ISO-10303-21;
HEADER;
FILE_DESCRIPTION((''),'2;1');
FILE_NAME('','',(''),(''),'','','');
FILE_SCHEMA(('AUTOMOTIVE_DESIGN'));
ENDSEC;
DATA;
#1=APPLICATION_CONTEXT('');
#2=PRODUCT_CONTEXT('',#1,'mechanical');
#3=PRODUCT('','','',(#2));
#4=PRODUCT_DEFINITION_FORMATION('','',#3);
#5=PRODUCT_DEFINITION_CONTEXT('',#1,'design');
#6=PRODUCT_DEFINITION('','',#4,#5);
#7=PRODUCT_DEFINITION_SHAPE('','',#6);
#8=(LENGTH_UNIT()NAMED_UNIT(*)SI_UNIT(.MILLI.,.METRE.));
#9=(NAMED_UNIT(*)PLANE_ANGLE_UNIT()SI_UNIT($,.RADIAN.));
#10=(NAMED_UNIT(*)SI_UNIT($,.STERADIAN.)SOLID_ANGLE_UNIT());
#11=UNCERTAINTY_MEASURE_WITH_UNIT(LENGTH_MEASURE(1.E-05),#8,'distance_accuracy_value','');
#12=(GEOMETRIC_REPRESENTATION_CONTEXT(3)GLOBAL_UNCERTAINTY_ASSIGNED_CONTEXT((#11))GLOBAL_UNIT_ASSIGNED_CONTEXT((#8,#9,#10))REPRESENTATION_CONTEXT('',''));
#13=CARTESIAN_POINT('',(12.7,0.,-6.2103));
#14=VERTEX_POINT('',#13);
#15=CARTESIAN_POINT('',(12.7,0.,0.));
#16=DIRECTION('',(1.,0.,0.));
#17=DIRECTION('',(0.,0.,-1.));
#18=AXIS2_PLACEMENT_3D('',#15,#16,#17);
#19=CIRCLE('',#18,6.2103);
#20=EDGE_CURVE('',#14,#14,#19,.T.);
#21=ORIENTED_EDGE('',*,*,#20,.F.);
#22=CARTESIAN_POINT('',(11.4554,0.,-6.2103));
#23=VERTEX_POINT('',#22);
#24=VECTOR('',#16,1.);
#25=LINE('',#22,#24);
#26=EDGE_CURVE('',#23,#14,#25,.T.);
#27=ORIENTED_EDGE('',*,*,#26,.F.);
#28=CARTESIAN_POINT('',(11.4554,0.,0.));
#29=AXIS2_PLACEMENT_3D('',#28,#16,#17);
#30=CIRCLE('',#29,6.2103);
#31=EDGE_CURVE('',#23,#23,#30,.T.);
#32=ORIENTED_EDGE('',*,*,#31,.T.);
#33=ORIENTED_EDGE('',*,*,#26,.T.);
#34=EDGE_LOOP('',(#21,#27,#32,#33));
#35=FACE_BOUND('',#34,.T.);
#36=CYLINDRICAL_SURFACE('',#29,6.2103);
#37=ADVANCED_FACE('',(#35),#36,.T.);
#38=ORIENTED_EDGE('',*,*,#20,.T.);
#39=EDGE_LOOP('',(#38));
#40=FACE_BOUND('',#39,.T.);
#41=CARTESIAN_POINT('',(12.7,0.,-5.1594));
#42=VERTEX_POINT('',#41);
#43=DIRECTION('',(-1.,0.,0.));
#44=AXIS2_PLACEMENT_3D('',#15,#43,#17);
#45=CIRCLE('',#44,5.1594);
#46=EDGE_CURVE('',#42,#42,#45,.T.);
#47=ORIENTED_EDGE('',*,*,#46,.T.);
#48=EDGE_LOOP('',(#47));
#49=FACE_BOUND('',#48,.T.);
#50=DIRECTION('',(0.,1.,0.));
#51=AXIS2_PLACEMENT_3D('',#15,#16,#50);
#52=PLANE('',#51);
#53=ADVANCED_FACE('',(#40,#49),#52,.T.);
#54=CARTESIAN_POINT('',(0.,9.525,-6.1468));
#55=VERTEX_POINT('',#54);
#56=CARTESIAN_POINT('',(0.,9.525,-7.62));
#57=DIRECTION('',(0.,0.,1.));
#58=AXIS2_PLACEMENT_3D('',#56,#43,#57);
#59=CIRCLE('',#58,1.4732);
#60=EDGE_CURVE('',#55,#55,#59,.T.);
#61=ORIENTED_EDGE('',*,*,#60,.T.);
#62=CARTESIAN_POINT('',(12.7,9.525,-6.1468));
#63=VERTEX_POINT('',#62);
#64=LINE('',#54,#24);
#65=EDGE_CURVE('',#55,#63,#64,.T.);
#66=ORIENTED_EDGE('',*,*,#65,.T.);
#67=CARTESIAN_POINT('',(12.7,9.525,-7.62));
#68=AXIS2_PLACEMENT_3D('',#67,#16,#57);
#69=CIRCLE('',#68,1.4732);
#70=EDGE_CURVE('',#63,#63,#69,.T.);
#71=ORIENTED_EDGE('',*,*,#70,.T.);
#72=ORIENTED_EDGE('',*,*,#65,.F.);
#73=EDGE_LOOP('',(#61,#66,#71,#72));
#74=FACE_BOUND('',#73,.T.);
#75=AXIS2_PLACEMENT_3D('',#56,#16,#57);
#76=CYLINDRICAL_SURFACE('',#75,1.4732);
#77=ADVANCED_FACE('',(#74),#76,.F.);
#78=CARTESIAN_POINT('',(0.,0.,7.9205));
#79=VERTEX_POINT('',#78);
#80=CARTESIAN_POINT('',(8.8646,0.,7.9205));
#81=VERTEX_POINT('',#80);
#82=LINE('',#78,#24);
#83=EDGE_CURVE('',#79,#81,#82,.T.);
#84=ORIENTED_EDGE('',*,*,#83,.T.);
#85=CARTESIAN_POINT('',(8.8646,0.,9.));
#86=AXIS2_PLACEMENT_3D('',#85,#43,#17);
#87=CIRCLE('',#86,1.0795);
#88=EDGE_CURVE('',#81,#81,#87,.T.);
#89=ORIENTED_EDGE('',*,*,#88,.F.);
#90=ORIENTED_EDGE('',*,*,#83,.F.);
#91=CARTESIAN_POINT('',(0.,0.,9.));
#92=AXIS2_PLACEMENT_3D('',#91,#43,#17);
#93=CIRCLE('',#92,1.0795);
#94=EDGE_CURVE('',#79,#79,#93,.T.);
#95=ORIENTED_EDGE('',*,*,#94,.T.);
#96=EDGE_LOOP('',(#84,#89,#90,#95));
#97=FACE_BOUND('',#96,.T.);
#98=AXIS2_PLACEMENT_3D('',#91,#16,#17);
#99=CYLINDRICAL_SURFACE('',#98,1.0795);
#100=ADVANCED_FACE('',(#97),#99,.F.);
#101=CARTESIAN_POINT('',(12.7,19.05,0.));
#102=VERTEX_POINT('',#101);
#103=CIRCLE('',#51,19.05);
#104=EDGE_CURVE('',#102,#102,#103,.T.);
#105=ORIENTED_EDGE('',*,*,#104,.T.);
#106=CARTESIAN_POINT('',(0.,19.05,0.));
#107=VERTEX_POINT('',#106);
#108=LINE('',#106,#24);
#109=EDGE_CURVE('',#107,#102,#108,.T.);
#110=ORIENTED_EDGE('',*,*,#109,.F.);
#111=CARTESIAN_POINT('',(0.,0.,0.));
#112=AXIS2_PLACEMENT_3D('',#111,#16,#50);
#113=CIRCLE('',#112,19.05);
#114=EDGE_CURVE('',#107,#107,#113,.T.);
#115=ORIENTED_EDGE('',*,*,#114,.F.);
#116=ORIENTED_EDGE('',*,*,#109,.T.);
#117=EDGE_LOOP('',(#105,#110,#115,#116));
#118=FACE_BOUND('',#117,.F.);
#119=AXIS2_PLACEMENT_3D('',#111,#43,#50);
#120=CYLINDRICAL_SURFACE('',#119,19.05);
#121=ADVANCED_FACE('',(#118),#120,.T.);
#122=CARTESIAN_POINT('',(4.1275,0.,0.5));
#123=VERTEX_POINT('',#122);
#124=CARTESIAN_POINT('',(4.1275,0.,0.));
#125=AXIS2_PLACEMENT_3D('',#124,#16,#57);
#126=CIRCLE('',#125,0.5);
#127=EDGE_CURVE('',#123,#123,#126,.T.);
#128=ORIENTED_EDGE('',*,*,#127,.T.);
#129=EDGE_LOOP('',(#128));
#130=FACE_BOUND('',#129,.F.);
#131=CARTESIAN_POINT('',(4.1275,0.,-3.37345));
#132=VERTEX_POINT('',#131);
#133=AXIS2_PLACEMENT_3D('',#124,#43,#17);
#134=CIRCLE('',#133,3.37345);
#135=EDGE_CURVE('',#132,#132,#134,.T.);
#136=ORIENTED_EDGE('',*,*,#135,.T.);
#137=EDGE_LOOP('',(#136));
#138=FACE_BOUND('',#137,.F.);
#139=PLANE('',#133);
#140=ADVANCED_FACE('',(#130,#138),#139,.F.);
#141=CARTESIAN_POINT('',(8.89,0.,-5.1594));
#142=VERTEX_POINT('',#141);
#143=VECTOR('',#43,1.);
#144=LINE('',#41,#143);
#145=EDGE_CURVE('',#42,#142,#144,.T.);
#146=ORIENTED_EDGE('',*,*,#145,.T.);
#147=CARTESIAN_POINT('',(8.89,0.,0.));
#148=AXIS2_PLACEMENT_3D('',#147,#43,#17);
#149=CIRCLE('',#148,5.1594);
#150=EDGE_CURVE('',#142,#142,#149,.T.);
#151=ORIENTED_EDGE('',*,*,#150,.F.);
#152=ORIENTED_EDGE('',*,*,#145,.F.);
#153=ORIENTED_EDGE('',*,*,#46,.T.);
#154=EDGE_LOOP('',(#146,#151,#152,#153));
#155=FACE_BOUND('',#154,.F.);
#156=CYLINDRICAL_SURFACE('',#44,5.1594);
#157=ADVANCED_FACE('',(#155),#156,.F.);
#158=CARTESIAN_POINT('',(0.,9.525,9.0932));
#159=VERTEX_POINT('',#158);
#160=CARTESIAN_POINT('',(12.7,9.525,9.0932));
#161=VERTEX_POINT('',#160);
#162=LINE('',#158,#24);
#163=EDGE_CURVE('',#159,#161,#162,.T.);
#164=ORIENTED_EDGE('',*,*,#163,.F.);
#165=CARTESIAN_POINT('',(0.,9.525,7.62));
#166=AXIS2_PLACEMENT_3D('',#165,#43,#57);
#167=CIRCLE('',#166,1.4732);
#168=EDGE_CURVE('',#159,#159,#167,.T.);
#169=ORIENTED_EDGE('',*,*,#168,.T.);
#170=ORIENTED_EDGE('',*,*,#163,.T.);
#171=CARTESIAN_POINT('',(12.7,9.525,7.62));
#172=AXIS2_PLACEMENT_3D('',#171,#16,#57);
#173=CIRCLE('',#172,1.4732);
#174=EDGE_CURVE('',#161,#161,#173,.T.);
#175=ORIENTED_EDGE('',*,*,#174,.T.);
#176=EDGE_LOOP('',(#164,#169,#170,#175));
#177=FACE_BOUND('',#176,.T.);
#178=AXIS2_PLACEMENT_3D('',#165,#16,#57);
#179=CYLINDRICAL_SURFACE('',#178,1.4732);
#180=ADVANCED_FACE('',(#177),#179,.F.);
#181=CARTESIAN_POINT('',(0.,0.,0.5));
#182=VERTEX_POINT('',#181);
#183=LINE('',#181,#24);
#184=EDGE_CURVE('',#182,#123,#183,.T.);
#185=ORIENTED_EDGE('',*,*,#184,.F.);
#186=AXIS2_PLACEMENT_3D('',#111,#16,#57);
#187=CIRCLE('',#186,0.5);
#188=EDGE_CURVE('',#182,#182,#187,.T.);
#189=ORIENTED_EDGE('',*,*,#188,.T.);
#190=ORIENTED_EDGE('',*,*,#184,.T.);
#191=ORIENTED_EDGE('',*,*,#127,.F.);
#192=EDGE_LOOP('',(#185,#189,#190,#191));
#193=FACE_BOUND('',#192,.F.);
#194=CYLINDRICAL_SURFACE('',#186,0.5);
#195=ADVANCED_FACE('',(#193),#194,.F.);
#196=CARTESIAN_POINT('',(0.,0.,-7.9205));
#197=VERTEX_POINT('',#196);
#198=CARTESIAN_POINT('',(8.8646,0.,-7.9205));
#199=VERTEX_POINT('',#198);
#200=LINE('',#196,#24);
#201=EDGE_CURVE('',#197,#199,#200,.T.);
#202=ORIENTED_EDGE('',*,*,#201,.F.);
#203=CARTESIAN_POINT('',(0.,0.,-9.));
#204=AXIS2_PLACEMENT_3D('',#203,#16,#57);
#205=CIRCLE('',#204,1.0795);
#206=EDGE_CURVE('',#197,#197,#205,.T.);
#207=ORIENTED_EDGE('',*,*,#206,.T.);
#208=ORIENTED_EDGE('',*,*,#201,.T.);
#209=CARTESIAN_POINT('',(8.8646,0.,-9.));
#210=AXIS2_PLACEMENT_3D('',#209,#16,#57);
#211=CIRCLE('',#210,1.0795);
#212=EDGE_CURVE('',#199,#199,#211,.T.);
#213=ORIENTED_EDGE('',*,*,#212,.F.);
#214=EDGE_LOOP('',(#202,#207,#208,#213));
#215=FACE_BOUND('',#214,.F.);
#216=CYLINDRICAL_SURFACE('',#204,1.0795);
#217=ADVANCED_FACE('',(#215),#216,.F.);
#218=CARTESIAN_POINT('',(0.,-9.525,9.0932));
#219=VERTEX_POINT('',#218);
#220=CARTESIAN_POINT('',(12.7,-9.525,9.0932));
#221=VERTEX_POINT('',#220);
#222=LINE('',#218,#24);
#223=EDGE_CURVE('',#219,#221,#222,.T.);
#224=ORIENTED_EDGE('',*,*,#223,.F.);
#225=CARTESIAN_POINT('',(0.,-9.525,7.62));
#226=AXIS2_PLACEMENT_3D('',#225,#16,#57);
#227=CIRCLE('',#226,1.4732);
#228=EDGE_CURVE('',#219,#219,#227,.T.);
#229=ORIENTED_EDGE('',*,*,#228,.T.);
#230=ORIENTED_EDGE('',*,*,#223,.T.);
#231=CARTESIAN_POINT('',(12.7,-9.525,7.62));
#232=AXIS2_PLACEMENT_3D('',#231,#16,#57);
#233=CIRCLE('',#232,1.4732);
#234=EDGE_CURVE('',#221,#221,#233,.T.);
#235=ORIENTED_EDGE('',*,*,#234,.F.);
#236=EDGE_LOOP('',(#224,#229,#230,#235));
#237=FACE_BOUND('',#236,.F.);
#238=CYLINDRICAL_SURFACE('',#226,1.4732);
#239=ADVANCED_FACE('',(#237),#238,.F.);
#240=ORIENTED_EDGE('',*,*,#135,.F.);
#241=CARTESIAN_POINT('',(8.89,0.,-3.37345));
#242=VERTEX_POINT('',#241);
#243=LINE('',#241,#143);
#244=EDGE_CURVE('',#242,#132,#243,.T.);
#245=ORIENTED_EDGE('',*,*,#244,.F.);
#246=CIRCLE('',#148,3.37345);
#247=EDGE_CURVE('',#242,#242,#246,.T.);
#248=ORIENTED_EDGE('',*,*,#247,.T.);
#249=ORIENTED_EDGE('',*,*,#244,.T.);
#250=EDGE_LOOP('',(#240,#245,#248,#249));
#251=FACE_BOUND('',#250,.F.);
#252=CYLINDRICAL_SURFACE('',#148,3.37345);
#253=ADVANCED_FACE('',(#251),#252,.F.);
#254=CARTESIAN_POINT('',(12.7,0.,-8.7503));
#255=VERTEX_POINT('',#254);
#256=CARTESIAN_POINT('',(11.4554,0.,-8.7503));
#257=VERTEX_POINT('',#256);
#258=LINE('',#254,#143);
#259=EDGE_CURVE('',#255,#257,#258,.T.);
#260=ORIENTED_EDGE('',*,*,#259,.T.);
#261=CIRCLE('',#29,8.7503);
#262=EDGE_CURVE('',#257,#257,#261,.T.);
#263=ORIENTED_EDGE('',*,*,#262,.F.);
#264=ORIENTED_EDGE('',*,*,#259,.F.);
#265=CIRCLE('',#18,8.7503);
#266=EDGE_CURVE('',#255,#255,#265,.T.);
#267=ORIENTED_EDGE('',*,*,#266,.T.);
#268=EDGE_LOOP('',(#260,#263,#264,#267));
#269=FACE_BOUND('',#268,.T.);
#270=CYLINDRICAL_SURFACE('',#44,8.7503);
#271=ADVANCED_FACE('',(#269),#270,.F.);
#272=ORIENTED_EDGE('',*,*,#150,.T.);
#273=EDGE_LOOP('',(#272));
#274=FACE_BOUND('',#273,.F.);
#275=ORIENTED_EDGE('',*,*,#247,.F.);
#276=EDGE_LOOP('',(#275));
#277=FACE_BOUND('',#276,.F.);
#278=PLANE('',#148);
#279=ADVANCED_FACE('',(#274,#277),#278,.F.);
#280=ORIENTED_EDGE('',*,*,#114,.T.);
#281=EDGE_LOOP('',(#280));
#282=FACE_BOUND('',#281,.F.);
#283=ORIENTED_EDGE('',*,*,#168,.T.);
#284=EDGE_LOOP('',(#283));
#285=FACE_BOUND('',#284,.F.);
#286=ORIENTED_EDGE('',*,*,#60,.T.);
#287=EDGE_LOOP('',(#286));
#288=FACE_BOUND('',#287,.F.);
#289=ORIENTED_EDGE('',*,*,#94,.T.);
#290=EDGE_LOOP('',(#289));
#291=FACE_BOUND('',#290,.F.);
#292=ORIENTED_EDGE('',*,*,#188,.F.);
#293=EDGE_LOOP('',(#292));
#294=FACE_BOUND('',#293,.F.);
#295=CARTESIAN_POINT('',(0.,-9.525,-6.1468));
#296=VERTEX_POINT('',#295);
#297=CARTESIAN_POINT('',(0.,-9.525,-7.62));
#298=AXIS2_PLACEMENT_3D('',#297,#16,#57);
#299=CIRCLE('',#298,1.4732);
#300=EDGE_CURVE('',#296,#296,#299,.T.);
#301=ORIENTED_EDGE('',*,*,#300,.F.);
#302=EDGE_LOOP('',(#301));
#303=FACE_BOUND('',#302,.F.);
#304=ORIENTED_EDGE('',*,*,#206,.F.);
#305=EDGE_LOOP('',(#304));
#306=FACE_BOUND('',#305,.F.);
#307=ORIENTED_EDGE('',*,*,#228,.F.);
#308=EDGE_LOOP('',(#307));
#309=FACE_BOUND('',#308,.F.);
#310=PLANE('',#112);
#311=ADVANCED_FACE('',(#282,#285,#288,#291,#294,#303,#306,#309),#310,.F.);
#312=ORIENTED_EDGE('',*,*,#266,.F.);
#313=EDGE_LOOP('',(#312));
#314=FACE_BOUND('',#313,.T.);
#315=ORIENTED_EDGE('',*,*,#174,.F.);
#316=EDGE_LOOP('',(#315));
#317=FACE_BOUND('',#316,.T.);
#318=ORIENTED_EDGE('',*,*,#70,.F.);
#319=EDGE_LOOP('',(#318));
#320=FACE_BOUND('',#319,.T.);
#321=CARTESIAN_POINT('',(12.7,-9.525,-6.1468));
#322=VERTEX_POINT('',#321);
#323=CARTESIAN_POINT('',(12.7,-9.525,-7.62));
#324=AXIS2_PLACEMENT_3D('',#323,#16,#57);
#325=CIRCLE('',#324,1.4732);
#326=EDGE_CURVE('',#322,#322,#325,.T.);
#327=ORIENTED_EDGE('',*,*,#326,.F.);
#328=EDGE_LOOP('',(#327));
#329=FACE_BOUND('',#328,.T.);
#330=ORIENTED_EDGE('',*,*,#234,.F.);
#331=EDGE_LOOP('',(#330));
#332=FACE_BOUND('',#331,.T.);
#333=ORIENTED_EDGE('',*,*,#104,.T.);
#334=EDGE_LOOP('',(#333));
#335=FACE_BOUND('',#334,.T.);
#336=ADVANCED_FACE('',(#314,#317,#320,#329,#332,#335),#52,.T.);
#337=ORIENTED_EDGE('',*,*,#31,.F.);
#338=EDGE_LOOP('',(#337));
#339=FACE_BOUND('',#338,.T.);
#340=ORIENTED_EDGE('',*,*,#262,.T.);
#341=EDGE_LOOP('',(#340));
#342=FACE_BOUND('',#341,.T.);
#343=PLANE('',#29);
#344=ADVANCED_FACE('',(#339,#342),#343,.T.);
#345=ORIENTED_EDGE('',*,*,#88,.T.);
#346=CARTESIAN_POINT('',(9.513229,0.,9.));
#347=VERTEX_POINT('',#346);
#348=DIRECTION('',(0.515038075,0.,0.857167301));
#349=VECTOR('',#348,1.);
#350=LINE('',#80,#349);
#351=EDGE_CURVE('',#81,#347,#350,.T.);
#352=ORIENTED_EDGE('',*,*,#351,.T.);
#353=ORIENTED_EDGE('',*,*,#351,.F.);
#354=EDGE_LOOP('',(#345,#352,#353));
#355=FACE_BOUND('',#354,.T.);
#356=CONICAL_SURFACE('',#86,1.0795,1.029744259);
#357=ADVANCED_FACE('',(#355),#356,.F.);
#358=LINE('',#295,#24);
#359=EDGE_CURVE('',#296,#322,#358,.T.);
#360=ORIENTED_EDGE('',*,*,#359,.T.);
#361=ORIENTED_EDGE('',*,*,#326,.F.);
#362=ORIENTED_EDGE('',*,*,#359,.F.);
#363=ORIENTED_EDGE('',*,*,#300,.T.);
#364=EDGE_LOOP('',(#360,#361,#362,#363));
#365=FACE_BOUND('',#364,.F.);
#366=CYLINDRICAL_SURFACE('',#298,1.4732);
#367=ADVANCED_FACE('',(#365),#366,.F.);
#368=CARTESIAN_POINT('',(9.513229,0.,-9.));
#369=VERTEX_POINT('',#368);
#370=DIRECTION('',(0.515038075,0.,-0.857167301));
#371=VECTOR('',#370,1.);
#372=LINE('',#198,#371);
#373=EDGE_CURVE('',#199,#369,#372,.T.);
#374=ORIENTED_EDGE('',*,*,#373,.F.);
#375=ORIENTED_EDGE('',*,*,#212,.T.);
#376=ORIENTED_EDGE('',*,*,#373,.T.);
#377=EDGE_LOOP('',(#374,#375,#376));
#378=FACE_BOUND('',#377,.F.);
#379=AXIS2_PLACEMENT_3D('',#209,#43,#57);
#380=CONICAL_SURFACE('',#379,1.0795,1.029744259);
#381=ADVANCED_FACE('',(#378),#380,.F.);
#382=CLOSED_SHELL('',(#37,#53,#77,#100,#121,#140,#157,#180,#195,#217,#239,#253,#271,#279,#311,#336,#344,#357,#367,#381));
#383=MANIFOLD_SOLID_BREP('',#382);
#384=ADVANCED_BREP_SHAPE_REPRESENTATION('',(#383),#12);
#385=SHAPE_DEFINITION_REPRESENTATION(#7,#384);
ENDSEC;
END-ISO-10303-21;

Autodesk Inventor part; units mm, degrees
ref_plane "YZ Plane" through (0, 0, 0) normal (1, 0, 0) x (0, 1, 0)
sketch "Sketch1" plane through (0, 0, 0) normal (1, 0, 0) x (0, 1, 0)
  circle A0 centre (0, 0) radius 19.05
  dimension "d0" = 38.1
extrude "Extrusion1" add sketch "Sketch1" along normal blind 12.7
sketch "Sketch10" plane through (12.7, 0, 0) normal (1, 0, 0) x (0, 0, -1)
  point P0 (0, 0)
  point P1 (0, 0)
hole "Hole4" at (12.7, 0, 0) direction (-1, 0, 0) diameter 10.3188 depth 3.81
ref_plane "Work Plane2" through (8.89, 0, 0) normal (1, 0, 0) x (0, 0, -1)
hole "Hole1" at (8.89, 0, 0) direction (-1, 0, 0) diameter 6.7469 depth 4.7625
ref_plane "Work Plane1" through (-12.7, 0, 0) normal (1, 0, 0) x (0, 0, -1)
sketch "Sketch5" plane through (0, 0, 0) normal (1, 0, 0) x (0, 1, 0)
  line L0 (0, 9) -> (0, -9)
  circle A0 centre (0, 0) radius 19.05 projected
  line L1 (-9.525, 0) -> (9.525, 0)
  line L2 (-9.525, 7.62) -> (-9.525, -7.62)
  dimension "d37" = 18
  dimension "d45" = 19.05
  dimension "d46" = 15.24
hole "Hole2" at (0, 0, -9) direction (1, 0, 0) diameter 2.159 depth 8.8646 tip angle 118
sketch "Sketch6" plane through (0, 0, 0) normal (-1, 0, 0) x (0, 0, 1)
  circle A0 centre (0, 0) radius 0.5715
  dimension "d34" = 1.143
hole "Hole5" at (0, 0, 0) direction (1, 0, 0) diameter 1 end through all
mirror "Mirror1" about plane through (0, 0, 0) normal (0, 0, 1) of "Hole2"
hole "Hole3" at (0, -9.525, 7.62) at (0, -9.525, -7.62) direction (1, 0, 0) diameter 2.9464 end through all clearance for "Flat Head Machine Screw (82)" size "#4" standard "Ansi Unified Screw Threads"
mirror "Mirror2" about plane through (0, 0, 0) normal (0, 1, 0) of "Hole3"
sketch "Sketch9" plane through (0, 0, 0) normal (0, 1, 0) x (-1, 0, 0)
  line L0 (-11.4554, -6.2103) -> (-12.7, -6.2103)
  line L1 (-12.7, -6.2103) -> (-12.7, -8.7503)
  line L2 (-12.7, -8.7503) -> (-11.4554, -8.7503)
  line L3 (-11.4554, -8.7503) -> (-11.4554, -6.2103)
  line L4 (2.54, 0) -> (-15.24, 0) projected
  line L5 (-12.7, 19.05) -> (-12.7, -19.05) projected
  point P0 (0, 0)
  dimension "d55" = 2.54
  dimension "d56" = 1.2446
  dimension "d59" = 6.2103
revolve "Revolution1" cut sketch "Sketch9" angle 360 about axis through (-10, 0, 0) along (1, 0, 0)
properties part number "NuMu sensor" material "Aluminum 6061"
